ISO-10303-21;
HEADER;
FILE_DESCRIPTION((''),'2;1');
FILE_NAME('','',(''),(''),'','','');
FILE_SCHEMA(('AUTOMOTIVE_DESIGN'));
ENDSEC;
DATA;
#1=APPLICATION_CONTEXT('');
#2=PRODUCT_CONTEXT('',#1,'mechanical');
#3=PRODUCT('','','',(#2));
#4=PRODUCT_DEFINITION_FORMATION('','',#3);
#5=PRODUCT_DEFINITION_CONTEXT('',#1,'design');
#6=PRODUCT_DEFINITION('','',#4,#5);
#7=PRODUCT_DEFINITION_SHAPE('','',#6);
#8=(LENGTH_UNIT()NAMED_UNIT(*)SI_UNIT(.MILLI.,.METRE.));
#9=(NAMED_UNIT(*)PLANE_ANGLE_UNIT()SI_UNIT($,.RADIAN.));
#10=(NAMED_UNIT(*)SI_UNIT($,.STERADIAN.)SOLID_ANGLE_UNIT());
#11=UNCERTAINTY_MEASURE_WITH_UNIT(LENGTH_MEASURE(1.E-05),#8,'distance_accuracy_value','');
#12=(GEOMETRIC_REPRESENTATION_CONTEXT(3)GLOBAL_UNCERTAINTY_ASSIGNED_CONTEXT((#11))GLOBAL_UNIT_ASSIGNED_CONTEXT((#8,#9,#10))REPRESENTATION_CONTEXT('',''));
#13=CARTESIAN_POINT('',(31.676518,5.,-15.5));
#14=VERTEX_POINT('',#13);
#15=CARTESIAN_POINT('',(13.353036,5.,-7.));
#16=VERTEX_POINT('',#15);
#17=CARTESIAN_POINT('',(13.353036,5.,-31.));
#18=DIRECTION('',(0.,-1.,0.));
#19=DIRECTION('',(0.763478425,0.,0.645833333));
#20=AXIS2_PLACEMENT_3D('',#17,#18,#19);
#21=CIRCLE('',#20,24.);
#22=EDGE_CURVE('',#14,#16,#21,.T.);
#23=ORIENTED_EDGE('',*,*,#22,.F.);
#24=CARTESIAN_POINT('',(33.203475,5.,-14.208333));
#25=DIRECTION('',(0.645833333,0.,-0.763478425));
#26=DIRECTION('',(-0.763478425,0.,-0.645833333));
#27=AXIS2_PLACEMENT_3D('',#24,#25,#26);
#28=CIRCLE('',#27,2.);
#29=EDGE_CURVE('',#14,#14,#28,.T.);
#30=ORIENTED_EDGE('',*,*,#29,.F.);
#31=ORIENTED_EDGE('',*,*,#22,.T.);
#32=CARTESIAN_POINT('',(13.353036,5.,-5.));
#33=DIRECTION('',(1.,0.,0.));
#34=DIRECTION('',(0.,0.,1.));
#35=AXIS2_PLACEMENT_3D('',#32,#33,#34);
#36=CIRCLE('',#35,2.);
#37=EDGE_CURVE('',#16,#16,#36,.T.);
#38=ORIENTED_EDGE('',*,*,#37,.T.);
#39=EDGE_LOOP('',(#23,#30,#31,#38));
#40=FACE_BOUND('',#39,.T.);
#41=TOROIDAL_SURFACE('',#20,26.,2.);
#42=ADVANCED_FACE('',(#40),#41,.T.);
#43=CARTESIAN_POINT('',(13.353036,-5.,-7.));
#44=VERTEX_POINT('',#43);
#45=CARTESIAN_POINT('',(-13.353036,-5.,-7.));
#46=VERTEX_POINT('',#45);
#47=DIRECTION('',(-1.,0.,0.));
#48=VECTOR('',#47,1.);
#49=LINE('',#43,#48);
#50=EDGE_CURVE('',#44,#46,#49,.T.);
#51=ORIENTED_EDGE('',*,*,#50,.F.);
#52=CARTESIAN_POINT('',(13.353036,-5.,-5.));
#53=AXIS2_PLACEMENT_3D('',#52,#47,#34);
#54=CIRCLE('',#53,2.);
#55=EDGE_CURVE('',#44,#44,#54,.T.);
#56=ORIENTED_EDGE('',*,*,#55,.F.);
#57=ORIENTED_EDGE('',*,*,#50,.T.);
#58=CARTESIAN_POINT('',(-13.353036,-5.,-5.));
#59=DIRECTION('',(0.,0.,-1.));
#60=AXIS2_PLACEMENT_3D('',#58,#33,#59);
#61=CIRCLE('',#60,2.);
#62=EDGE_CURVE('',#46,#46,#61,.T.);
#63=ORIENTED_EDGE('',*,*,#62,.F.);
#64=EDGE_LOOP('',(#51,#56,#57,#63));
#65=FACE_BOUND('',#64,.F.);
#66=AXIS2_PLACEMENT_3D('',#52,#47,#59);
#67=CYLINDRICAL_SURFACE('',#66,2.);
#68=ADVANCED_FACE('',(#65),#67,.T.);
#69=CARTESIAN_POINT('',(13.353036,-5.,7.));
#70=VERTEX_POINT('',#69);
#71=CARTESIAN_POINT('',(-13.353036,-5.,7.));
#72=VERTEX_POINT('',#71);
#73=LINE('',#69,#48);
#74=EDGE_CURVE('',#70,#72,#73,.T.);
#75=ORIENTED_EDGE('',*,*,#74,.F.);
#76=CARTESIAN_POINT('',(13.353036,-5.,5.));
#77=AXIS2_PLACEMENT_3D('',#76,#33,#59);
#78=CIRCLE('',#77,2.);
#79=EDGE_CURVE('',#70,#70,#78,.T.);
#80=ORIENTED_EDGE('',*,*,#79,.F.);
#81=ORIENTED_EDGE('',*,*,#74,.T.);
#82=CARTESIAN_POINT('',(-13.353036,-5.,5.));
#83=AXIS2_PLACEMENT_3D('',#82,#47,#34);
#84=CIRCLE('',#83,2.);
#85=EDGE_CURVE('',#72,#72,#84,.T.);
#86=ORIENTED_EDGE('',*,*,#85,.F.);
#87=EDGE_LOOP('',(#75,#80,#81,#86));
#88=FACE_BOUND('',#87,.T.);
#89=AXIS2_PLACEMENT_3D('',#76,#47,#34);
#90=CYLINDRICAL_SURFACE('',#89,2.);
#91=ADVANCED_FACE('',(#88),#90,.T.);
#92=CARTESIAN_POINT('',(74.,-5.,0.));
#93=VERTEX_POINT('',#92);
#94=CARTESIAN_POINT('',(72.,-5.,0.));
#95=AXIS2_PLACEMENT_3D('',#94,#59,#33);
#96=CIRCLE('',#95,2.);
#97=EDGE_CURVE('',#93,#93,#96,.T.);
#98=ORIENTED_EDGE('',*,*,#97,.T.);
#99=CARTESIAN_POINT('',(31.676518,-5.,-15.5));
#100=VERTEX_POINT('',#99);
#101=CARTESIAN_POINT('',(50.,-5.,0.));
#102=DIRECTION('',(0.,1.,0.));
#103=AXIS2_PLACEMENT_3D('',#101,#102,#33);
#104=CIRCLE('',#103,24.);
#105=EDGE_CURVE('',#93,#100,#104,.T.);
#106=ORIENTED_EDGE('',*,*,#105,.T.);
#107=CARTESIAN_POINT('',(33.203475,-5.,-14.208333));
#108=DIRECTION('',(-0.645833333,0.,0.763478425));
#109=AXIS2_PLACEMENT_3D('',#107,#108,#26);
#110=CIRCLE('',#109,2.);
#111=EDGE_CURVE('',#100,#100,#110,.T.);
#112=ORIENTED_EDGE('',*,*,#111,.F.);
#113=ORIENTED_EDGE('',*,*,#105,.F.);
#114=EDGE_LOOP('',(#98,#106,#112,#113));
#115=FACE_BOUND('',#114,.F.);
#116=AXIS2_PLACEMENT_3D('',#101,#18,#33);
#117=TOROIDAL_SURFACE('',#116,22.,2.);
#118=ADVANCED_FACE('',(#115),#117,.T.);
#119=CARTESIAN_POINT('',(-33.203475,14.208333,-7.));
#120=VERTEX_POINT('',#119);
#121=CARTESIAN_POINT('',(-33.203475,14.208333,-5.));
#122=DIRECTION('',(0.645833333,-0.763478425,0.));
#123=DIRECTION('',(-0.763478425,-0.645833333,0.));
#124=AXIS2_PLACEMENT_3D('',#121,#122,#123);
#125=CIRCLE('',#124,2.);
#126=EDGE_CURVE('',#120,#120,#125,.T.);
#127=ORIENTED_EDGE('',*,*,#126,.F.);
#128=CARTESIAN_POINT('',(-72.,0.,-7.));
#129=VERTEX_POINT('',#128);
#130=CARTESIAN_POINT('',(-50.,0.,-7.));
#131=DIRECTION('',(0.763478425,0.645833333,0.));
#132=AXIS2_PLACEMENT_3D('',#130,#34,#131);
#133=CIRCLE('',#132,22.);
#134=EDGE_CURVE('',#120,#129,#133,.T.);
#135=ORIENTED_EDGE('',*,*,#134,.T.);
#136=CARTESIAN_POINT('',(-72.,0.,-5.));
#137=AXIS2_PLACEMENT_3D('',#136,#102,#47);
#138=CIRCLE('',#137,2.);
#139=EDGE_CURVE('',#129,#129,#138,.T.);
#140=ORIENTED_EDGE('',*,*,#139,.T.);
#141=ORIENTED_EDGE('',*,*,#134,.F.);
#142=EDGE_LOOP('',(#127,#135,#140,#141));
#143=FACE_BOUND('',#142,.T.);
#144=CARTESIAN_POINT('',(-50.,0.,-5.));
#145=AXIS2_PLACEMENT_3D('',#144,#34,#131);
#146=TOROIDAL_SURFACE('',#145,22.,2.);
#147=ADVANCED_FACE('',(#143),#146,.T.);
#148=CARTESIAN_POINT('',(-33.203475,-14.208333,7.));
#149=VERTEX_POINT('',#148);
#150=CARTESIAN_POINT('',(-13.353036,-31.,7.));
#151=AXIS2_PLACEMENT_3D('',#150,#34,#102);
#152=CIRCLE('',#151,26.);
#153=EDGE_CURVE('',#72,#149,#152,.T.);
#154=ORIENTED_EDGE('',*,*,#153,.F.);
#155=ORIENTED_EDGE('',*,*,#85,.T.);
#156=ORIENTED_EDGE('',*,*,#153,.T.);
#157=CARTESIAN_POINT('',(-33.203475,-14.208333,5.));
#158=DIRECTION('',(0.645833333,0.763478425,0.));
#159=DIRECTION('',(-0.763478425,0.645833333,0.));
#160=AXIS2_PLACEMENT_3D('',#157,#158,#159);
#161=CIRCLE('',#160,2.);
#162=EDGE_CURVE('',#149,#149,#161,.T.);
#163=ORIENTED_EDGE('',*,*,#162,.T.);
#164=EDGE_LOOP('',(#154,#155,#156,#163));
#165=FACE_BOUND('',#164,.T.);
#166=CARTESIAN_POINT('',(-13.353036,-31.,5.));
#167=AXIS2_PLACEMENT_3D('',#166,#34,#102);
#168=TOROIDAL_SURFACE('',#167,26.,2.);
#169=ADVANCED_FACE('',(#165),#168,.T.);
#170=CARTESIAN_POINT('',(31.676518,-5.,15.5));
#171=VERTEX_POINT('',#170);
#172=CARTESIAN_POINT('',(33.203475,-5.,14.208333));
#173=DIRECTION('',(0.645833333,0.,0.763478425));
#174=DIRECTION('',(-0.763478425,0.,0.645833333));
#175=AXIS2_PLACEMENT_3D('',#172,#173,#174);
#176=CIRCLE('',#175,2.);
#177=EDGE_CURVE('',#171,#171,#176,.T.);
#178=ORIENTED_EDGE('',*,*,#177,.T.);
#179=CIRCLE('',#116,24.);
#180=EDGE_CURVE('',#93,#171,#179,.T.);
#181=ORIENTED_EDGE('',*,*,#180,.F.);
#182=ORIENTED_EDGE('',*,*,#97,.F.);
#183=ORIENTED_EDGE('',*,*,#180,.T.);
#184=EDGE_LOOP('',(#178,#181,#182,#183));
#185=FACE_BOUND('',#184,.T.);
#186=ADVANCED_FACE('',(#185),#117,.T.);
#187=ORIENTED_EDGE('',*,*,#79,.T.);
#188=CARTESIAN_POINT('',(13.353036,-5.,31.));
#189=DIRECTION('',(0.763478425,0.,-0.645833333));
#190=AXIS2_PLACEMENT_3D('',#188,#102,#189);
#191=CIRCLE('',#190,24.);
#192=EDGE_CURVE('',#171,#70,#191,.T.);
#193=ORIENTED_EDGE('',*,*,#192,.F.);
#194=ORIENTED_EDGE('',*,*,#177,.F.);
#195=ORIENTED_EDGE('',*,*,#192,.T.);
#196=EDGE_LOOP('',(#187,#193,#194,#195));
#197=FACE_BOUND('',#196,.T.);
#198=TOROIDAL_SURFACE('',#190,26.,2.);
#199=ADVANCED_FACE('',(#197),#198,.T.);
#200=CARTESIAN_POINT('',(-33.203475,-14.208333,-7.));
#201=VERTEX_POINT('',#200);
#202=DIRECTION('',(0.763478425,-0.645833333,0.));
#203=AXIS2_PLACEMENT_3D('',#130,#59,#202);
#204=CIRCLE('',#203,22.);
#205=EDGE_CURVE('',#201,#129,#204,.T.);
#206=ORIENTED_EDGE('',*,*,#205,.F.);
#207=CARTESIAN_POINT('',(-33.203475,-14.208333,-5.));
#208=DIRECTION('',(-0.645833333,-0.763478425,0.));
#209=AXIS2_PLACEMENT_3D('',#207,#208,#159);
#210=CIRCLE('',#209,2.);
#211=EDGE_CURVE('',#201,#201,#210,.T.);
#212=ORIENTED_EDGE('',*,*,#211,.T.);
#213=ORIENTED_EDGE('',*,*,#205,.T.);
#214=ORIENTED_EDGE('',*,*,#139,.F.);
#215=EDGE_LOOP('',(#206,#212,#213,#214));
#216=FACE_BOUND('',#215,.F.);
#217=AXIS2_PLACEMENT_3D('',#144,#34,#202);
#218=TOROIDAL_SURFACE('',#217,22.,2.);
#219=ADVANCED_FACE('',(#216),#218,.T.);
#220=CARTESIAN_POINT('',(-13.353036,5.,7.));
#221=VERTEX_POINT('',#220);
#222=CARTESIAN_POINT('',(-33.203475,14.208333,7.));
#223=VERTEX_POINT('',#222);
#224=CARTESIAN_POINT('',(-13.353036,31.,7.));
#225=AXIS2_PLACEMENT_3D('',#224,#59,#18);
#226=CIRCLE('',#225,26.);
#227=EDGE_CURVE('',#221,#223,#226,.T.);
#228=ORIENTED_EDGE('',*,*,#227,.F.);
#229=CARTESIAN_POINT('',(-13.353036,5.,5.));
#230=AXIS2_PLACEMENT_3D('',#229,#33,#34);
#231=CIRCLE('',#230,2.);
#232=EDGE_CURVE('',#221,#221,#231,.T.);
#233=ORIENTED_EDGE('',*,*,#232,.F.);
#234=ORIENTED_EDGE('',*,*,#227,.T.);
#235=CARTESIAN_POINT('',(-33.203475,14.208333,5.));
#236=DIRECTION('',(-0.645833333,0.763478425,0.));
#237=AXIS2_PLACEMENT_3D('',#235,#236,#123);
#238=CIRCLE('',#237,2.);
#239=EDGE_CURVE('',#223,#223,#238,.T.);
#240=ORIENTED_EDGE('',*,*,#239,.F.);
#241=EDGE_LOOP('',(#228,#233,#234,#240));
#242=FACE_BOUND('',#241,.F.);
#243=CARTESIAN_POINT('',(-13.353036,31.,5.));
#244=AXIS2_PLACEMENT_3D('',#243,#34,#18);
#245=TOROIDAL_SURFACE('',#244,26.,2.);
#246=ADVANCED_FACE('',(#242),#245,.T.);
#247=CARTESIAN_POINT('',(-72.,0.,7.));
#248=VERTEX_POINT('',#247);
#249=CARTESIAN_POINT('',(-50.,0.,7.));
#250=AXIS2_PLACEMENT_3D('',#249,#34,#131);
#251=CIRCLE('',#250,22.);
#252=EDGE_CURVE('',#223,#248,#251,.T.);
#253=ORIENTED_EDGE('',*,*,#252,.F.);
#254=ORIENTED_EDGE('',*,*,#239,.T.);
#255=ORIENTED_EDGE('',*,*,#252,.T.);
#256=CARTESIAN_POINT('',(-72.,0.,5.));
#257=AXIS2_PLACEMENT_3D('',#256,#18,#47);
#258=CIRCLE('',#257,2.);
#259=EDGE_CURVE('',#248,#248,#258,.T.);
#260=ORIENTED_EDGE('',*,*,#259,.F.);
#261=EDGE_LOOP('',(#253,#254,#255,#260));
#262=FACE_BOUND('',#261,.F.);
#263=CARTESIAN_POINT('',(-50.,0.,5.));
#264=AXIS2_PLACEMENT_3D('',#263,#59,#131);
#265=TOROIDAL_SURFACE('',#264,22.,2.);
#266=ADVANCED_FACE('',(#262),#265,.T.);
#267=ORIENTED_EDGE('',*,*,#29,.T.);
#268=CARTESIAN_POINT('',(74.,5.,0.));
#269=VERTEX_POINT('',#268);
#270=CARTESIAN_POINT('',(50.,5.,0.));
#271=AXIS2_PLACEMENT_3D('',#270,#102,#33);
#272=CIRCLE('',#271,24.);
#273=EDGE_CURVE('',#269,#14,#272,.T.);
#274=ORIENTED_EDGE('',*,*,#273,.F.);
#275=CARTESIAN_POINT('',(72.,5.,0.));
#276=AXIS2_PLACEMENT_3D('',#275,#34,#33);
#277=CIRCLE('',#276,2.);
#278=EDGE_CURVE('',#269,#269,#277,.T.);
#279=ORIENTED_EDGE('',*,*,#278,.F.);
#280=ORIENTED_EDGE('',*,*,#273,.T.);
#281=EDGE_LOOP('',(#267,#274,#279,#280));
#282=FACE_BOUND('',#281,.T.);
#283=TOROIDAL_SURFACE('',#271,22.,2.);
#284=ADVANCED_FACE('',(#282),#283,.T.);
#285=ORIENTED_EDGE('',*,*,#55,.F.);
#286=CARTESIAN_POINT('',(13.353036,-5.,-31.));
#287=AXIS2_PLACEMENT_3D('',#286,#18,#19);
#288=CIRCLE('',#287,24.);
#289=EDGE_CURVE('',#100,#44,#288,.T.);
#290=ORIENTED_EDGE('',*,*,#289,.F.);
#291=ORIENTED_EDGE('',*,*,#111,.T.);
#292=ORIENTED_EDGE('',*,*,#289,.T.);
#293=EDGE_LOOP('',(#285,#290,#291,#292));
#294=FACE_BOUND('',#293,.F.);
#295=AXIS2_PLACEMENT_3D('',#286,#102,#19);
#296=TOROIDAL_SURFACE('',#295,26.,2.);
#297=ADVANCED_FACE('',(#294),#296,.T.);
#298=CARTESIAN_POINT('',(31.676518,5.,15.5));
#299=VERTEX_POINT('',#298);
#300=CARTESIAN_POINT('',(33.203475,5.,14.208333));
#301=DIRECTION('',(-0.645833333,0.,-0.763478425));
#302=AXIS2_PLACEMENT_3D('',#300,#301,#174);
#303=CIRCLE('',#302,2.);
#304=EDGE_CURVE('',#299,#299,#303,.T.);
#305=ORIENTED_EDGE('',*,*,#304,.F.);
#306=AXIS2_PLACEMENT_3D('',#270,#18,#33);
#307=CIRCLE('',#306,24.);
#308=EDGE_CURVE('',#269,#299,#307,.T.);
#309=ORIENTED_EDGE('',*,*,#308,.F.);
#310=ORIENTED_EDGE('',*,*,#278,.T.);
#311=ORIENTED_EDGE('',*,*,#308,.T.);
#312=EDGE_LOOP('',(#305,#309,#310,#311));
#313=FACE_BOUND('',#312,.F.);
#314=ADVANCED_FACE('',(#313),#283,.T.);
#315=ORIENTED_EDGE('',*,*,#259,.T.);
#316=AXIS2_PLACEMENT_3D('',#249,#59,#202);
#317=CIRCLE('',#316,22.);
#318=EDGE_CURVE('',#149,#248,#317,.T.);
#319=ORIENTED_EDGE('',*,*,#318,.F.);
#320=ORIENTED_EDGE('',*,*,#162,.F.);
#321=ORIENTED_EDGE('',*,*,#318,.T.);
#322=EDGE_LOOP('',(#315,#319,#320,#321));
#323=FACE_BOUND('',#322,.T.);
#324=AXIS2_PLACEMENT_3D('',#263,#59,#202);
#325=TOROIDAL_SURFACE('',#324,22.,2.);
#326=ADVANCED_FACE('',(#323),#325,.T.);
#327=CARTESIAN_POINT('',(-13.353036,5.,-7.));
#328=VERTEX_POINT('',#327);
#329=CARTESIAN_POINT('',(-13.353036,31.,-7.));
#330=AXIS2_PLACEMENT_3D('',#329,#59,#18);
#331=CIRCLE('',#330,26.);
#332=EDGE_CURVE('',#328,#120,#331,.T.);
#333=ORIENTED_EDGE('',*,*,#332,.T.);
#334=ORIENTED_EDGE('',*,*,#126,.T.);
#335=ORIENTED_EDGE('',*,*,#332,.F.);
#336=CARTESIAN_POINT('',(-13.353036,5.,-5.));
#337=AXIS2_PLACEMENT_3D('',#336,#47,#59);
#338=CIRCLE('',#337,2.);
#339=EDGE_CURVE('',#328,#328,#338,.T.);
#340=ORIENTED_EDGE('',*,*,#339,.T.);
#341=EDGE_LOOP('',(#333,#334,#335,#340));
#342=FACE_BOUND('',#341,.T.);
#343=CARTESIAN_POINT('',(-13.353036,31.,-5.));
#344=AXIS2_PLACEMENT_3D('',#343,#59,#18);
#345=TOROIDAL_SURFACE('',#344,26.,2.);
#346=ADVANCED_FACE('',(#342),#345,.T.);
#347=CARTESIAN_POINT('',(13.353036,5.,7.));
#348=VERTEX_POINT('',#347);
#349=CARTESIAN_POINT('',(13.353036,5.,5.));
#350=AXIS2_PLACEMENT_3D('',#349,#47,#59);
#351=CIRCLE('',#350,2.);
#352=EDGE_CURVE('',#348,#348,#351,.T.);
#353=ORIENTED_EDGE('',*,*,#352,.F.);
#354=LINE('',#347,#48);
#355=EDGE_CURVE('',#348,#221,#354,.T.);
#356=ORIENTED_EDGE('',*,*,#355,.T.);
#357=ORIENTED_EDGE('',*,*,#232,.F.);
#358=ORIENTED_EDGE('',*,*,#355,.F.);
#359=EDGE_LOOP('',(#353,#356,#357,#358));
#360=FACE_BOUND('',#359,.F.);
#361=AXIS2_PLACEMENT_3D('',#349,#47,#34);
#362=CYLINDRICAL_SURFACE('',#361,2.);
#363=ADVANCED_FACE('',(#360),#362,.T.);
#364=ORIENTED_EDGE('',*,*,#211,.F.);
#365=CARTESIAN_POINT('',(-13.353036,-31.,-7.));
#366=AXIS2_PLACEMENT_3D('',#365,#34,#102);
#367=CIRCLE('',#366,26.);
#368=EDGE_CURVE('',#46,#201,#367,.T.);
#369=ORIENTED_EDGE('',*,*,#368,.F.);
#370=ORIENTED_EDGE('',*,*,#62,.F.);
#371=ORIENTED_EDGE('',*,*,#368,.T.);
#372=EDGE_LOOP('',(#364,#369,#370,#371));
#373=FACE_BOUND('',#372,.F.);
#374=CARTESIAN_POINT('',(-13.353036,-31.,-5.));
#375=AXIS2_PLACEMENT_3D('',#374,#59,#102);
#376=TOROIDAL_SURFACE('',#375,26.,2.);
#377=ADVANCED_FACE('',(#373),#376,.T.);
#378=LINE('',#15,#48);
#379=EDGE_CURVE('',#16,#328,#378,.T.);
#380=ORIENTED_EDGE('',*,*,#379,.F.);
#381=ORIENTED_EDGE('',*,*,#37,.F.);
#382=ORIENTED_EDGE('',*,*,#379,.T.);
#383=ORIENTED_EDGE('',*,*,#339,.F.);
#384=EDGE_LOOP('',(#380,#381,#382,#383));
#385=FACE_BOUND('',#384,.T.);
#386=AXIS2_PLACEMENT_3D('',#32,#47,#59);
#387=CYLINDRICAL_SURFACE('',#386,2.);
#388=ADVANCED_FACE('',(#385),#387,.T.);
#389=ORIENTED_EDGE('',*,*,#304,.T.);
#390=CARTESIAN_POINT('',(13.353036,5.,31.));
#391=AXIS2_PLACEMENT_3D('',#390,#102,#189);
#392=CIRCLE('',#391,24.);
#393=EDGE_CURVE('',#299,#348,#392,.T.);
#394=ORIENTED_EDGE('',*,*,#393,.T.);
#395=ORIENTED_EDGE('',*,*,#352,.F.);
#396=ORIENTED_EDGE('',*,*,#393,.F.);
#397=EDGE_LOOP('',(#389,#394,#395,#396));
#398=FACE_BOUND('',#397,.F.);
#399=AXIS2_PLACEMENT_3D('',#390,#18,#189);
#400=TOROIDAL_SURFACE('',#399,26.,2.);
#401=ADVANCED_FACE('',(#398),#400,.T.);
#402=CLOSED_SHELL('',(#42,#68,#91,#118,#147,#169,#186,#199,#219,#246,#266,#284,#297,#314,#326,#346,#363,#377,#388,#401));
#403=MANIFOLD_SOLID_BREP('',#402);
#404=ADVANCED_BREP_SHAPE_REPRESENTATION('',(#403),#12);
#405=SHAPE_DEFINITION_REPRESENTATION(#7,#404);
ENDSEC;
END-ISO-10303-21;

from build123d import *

# Parameters (mm, degrees)
F5_R = 2


with BuildPart() as f6:
    # F6: sweep along a path in F3, F4
    with BuildLine(Plane.XZ.offset(5)) as f6_path:
        ThreePointArc((72, 0), (57.5655945656, 20.6582133513), (33.2034746483, 14.2083333333))
        ThreePointArc((33.2034746483, 14.2083333333), (24.2941659463, 7.4141638548), (13.3530355964, 5))
        Line((13.3530355964, 5), (0, 5))
    with BuildLine(Plane.XY.offset(5)) as f6_path_2:
        Line((0, -5), (-13.3530355964, -5))
        ThreePointArc((-13.3530355964, -5), (-24.2941659463, -7.4141638548), (-33.2034746483, -14.2083333333))
        ThreePointArc((-33.2034746483, -14.2083333333), (-57.5655945656, -20.6582133513), (-72, 0))
    # F5 (on Top) → F6 (sweep)
    with BuildSketch(Plane.XY):
        with Locations((72, -5)):
            Circle(F5_R)
    sweep(path=f6_path.line + f6_path_2.line)

    # F7: F6 across plane


with BuildPart() as f6_1:
    add(f6.part)
    add(f6.part.mirror(Plane.XZ))

    # F8: F6 across plane


with BuildPart() as f6_2:
    add(f6_1.part)
    add(f6_1.part.mirror(Plane.XY))


solid = f6_2.part
